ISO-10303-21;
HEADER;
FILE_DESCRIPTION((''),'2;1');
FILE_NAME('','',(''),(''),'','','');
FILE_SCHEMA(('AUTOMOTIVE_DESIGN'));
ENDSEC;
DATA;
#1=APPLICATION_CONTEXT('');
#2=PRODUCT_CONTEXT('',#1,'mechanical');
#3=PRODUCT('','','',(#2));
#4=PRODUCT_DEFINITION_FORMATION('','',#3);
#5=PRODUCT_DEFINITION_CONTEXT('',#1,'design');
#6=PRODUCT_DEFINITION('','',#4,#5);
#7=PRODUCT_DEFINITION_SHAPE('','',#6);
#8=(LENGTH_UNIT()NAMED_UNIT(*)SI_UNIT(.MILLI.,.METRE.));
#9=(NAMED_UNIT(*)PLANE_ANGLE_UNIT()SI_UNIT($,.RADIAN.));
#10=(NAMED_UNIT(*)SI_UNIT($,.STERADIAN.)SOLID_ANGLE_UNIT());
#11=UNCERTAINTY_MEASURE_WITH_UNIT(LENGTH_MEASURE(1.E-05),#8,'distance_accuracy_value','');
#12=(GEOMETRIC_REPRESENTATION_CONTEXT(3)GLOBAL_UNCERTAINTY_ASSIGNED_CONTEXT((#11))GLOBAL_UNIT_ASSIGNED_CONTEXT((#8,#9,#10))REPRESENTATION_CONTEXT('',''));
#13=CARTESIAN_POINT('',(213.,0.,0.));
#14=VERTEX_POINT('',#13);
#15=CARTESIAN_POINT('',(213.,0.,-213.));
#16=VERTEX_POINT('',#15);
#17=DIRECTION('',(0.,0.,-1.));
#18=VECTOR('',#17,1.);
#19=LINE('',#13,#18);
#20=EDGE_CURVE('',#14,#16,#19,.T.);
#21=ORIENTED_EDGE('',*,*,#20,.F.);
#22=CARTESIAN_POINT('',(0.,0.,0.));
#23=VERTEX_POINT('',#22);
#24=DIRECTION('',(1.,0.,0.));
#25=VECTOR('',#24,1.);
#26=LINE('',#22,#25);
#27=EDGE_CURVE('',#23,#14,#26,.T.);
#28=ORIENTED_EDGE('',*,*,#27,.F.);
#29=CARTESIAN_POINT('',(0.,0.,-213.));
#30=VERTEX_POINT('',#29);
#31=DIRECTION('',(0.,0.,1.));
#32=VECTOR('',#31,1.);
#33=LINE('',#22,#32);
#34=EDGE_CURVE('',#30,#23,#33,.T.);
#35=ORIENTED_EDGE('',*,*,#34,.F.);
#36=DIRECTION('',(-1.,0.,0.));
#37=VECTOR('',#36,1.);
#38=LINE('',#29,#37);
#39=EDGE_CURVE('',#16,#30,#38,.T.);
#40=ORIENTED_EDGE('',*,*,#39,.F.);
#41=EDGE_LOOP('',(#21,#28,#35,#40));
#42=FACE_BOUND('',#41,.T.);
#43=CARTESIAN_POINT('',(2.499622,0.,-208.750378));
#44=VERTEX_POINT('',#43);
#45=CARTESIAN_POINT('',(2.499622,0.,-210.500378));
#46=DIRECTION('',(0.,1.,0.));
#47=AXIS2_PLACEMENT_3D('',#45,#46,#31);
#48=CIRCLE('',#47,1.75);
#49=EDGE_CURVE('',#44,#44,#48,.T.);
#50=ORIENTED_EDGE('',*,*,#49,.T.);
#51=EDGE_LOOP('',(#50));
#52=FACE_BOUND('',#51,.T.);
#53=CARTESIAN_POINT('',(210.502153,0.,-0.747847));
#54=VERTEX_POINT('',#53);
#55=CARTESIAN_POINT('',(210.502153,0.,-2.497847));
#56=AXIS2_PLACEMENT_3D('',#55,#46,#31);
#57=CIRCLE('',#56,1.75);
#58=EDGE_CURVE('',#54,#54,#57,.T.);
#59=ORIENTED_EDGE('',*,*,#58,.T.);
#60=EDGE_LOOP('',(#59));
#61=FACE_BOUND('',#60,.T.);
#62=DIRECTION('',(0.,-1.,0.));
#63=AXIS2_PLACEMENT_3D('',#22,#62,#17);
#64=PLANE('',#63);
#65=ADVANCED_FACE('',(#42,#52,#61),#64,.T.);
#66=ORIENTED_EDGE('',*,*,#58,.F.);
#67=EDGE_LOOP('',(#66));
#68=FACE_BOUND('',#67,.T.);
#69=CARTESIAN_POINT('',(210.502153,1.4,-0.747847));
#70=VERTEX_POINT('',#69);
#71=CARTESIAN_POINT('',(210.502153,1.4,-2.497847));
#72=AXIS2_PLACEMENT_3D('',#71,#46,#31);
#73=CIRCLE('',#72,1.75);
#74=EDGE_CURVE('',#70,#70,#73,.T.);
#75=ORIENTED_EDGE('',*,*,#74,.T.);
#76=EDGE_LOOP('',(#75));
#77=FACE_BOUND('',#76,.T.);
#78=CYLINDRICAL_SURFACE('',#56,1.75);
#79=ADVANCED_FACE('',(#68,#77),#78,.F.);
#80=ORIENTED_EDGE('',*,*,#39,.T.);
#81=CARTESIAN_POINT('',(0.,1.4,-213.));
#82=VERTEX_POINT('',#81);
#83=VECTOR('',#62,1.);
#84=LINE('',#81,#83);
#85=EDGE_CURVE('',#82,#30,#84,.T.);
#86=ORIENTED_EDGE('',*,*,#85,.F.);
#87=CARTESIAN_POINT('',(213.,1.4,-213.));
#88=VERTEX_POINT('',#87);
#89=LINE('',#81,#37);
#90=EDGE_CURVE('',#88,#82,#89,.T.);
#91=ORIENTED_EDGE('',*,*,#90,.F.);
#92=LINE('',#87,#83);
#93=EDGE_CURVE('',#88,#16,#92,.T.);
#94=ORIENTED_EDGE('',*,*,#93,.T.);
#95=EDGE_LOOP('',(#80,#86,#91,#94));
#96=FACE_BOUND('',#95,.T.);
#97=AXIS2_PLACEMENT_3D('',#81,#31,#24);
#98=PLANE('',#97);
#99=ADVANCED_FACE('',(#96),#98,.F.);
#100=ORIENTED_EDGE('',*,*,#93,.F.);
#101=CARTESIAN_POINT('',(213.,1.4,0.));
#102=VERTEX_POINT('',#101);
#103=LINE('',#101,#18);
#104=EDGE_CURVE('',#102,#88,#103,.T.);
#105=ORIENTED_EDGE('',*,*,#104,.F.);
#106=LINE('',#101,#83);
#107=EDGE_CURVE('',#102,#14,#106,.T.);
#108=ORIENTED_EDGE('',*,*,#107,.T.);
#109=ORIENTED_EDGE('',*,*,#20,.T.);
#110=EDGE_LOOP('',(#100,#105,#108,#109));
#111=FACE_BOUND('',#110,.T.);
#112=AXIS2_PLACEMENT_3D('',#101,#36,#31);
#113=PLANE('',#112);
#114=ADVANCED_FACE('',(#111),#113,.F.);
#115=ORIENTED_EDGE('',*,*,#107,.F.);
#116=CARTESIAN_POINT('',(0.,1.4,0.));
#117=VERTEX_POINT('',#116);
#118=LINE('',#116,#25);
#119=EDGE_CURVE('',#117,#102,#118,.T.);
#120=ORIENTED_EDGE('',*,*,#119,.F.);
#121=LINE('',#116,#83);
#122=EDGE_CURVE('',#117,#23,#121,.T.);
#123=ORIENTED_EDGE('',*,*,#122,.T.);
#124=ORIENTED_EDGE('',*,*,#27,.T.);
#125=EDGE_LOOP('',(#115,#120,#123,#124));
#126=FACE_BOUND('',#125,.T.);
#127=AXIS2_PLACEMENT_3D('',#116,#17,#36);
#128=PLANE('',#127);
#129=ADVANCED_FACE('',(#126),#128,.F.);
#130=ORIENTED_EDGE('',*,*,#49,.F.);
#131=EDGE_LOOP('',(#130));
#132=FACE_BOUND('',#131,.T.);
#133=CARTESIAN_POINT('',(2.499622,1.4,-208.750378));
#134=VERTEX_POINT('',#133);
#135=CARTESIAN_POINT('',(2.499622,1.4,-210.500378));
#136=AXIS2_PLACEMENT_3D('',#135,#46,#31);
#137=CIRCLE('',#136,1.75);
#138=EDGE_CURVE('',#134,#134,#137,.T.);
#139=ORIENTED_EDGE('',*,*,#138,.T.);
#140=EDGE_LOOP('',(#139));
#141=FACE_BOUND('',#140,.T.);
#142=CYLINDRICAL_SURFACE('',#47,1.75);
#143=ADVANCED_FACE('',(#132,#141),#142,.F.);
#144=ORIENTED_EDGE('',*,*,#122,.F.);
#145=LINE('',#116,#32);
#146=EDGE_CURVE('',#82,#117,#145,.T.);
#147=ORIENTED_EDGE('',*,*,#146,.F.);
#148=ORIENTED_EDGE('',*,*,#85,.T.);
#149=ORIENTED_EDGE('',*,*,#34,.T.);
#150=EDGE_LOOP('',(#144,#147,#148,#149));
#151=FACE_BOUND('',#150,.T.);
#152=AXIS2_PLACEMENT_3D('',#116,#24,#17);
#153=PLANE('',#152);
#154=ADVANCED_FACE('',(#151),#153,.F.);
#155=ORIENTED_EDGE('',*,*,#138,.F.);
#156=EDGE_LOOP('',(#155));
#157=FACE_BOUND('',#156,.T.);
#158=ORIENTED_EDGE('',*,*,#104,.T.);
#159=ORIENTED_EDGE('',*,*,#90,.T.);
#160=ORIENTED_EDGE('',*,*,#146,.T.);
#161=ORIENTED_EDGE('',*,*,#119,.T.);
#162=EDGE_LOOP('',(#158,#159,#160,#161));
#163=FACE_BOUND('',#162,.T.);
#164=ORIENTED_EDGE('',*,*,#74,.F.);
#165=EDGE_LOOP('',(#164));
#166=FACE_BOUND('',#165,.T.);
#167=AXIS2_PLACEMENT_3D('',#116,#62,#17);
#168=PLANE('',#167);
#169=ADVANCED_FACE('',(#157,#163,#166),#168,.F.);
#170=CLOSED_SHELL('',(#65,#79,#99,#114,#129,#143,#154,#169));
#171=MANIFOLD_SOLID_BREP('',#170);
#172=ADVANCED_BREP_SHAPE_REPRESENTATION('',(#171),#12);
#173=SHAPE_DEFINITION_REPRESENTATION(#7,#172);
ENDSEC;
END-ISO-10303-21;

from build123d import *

# Parameters (mm, degrees)
SKETCH1_W           = 213
SKETCH1_H           = 213
BOSS_EXTRUDE1_DEPTH = 1.4
SKETCH2_R           = 1.75
CUT_EXTRUDE1_DEPTH  = 302.230742123


with BuildPart() as part:
    # Sketch1 → Boss-Extrude1 (new body)
    with BuildSketch(Plane(origin=(0, 0, 0), x_dir=(1, 0, 0), z_dir=(0, 1, 0))):
        with Locations((106.5, 106.5)):
            Rectangle(SKETCH1_W, SKETCH1_H)
    extrude(amount=BOSS_EXTRUDE1_DEPTH)

    # Sketch2 → Cut-Extrude1 (cut, through all)
    with BuildSketch(Plane(origin=(0, 1.4, 0), x_dir=(1, 0, 0), z_dir=(0, 1, 0))):
        with Locations(Location((2.499622471, 210.500377529, 0), (0, 0, 270))):
            Circle(SKETCH2_R)
        with Locations(Location((210.502153225, 2.497846775, 0), (0, 0, 270))):
            Circle(SKETCH2_R)
    extrude(amount=-CUT_EXTRUDE1_DEPTH, mode=Mode.SUBTRACT)


solid = part.part
